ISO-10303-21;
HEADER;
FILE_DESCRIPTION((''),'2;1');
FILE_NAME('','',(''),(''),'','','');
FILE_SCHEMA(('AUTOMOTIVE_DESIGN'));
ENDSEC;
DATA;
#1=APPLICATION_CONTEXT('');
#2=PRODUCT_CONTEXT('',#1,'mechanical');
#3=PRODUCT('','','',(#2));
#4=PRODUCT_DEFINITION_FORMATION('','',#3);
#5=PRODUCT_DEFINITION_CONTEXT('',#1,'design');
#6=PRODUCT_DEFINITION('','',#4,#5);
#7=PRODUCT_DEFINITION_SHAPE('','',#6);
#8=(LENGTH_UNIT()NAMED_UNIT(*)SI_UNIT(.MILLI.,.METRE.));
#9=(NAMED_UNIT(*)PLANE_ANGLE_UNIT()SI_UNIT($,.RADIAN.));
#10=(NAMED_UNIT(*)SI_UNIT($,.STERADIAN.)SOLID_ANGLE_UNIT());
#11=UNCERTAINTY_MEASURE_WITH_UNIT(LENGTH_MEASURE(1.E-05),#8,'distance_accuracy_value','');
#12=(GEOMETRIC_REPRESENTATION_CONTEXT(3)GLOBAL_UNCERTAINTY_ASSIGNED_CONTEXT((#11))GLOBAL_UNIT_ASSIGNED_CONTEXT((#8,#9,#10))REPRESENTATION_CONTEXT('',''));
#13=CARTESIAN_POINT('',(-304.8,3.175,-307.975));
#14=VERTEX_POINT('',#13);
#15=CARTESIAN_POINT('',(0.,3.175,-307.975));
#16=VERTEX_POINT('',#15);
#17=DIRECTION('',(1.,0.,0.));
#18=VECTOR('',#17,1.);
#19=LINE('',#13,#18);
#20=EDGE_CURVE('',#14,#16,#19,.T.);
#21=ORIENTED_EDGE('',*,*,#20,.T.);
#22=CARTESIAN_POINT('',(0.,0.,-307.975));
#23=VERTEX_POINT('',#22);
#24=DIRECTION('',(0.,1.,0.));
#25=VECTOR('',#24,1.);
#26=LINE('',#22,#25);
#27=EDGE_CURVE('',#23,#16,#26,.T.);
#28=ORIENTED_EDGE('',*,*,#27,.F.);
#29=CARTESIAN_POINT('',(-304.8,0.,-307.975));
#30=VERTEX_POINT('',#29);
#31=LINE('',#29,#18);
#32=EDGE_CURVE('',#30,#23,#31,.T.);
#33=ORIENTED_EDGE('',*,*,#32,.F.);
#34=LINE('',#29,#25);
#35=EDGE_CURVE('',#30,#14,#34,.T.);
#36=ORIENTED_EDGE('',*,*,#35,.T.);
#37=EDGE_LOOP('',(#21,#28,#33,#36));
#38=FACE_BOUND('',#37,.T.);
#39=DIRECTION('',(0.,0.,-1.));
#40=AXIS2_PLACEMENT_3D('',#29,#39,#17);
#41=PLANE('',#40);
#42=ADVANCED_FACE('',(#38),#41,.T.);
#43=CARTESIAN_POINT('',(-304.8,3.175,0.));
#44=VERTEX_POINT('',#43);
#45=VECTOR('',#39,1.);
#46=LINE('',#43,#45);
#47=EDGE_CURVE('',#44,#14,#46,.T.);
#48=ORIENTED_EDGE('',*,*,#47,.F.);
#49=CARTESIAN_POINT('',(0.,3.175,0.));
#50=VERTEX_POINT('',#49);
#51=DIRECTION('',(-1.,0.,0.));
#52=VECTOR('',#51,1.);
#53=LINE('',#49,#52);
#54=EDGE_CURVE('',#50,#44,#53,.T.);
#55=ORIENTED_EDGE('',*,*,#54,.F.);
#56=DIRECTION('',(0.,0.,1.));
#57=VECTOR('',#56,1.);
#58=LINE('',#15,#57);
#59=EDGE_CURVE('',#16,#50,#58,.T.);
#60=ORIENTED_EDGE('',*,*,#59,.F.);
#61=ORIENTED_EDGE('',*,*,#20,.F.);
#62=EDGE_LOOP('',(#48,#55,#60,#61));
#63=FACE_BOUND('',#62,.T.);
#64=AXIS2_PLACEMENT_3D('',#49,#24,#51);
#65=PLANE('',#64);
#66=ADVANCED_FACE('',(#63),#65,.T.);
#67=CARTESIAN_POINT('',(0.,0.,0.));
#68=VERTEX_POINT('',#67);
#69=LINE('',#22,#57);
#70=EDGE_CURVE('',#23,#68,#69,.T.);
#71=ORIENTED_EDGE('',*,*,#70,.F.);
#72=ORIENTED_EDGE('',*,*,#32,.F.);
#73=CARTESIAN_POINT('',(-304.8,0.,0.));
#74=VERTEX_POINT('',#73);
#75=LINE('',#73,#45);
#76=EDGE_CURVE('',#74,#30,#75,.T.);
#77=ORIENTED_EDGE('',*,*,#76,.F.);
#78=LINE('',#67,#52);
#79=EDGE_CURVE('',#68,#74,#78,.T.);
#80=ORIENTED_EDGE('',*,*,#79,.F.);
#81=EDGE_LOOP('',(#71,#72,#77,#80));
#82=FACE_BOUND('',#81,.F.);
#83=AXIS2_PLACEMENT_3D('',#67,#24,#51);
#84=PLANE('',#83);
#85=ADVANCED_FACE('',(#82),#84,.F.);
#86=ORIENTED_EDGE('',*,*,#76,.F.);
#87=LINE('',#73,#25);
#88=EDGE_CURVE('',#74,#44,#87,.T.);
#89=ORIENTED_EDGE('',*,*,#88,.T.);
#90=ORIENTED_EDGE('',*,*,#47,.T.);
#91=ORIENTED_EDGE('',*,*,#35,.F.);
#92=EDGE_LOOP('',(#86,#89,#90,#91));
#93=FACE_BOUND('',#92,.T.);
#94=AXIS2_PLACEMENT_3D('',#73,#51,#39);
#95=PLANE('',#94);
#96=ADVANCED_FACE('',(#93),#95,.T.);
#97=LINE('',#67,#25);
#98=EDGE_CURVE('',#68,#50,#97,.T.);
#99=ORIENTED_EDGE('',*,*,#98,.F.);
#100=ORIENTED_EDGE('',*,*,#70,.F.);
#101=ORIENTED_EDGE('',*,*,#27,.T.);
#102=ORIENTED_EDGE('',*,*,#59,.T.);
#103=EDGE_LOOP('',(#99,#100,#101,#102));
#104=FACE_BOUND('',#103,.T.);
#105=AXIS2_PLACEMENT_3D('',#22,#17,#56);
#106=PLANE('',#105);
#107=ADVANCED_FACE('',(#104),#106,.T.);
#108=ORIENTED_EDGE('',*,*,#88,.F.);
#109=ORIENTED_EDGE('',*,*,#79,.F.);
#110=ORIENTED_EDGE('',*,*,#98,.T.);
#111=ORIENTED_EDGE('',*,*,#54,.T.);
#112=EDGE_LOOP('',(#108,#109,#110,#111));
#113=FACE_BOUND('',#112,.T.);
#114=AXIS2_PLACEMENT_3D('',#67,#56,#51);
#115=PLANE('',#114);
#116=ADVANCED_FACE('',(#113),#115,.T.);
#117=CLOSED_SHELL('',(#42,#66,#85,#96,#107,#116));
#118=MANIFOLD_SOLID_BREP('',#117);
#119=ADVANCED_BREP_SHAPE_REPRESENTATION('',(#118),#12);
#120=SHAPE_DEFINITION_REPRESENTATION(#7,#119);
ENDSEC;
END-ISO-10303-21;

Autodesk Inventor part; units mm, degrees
ref_plane "YZ Plane" through (0, 0, 0) normal (1, 0, 0) x (0, 1, 0)
ref_plane "XZ Plane" through (0, 0, 0) normal (0, 1, 0) x (-1, 0, 0)
ref_plane "XY Plane" through (0, 0, 0) normal (0, 0, 1) x (1, 0, 0)
sketch "Sketch1" plane through (0, 0, 0) normal (0, 1, 0) x (-1, 0, 0)
  line L0 (0, 0) -> (304.8, 0)
  line L1 (304.8, 0) -> (304.8, -307.975)
  line L2 (304.8, -307.975) -> (0, -307.975)
  line L3 (0, -307.975) -> (0, 0)
  dimension "d1" = 304.8
  dimension "d4" = 307.975
extrude "Extrusion1" add sketch "Sketch1" along normal blind 3.175
properties part number "Bottom_Of_End_Cap_Of_Intake_Vent"
